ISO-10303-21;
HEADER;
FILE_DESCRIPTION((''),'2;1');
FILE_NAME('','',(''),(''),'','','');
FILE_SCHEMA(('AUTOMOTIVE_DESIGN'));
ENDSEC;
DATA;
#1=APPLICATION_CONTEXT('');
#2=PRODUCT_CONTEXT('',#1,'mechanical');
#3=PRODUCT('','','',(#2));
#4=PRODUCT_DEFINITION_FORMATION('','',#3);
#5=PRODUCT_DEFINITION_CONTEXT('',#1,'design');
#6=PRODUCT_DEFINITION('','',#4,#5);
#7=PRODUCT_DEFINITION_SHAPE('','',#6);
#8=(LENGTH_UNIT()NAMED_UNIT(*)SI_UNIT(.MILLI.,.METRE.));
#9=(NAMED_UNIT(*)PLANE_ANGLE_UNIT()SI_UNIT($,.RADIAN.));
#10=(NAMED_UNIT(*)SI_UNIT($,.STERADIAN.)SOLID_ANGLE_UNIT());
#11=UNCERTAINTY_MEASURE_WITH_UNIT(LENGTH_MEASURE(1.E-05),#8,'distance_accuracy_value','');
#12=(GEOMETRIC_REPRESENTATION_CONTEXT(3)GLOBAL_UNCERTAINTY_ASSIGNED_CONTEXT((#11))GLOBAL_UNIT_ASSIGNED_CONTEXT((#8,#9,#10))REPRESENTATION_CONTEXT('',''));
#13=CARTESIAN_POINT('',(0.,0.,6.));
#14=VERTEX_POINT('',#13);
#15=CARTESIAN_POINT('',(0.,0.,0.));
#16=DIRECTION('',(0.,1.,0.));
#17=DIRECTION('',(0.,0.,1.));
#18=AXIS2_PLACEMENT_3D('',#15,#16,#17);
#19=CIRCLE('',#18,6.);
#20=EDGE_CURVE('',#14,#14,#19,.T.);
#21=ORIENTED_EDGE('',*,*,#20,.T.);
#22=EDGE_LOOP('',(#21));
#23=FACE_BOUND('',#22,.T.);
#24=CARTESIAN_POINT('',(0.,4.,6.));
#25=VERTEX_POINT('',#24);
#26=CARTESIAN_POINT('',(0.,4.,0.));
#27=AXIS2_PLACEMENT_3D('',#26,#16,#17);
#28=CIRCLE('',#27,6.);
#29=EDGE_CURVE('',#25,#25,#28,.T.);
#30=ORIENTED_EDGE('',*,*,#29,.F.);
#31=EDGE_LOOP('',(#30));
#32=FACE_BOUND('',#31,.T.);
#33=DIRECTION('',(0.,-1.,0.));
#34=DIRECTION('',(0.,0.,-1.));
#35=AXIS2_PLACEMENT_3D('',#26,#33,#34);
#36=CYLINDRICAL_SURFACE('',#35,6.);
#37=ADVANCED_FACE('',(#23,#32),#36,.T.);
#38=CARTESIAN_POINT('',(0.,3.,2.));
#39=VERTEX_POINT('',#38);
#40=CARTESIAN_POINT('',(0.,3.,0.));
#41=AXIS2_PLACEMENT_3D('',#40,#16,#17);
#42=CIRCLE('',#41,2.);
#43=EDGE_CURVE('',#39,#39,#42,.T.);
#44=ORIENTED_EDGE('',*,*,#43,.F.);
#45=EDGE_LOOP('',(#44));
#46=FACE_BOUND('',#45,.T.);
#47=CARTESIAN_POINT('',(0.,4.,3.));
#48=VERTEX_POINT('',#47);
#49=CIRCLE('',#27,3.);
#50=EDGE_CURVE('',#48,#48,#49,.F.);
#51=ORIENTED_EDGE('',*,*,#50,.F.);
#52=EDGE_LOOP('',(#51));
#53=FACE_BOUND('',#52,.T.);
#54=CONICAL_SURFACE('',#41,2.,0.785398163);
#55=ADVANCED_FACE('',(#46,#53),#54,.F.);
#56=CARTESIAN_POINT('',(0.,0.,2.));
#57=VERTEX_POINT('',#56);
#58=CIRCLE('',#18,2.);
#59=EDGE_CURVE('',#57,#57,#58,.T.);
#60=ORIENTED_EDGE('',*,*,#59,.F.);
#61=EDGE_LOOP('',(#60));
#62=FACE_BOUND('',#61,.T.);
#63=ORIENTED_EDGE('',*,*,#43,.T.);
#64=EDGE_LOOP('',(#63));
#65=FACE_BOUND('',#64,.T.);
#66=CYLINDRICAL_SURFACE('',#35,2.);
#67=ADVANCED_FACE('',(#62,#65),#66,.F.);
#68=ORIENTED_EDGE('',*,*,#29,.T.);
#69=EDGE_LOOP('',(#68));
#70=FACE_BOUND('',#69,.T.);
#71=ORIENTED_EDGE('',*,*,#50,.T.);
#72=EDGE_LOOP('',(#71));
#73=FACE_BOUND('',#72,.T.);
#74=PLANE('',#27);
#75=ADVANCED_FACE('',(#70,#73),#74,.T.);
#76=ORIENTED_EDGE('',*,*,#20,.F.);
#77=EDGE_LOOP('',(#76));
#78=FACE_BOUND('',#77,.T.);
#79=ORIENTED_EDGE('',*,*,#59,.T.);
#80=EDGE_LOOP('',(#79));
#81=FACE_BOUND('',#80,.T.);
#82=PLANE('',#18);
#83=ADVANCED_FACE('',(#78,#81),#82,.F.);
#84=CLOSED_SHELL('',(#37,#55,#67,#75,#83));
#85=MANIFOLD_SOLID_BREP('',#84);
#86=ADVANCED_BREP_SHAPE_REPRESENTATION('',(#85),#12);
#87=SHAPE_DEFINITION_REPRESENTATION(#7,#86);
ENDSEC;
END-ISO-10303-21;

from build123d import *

# Parameters (mm, degrees)
SKETCH1_R           = 6
SKETCH1_R_2         = 2
BOSS_EXTRUDE1_DEPTH = 4
CHAMFER1_SIZE       = 1


with BuildPart() as part:
    # Sketch1 → Boss-Extrude1 (new body)
    with BuildSketch(Plane(origin=(0, 0, 0), x_dir=(1, 0, 0), z_dir=(0, 1, 0))):
        Circle(SKETCH1_R)
        Circle(SKETCH1_R_2, mode=Mode.SUBTRACT)
    extrude(amount=BOSS_EXTRUDE1_DEPTH)

    # Chamfer1
    chamfer1_edges = [part.edges().sort_by_distance(p)[0] for p in [
        (-2, 4, 0),
    ]]
    chamfer(chamfer1_edges, length=CHAMFER1_SIZE)


solid = part.part
